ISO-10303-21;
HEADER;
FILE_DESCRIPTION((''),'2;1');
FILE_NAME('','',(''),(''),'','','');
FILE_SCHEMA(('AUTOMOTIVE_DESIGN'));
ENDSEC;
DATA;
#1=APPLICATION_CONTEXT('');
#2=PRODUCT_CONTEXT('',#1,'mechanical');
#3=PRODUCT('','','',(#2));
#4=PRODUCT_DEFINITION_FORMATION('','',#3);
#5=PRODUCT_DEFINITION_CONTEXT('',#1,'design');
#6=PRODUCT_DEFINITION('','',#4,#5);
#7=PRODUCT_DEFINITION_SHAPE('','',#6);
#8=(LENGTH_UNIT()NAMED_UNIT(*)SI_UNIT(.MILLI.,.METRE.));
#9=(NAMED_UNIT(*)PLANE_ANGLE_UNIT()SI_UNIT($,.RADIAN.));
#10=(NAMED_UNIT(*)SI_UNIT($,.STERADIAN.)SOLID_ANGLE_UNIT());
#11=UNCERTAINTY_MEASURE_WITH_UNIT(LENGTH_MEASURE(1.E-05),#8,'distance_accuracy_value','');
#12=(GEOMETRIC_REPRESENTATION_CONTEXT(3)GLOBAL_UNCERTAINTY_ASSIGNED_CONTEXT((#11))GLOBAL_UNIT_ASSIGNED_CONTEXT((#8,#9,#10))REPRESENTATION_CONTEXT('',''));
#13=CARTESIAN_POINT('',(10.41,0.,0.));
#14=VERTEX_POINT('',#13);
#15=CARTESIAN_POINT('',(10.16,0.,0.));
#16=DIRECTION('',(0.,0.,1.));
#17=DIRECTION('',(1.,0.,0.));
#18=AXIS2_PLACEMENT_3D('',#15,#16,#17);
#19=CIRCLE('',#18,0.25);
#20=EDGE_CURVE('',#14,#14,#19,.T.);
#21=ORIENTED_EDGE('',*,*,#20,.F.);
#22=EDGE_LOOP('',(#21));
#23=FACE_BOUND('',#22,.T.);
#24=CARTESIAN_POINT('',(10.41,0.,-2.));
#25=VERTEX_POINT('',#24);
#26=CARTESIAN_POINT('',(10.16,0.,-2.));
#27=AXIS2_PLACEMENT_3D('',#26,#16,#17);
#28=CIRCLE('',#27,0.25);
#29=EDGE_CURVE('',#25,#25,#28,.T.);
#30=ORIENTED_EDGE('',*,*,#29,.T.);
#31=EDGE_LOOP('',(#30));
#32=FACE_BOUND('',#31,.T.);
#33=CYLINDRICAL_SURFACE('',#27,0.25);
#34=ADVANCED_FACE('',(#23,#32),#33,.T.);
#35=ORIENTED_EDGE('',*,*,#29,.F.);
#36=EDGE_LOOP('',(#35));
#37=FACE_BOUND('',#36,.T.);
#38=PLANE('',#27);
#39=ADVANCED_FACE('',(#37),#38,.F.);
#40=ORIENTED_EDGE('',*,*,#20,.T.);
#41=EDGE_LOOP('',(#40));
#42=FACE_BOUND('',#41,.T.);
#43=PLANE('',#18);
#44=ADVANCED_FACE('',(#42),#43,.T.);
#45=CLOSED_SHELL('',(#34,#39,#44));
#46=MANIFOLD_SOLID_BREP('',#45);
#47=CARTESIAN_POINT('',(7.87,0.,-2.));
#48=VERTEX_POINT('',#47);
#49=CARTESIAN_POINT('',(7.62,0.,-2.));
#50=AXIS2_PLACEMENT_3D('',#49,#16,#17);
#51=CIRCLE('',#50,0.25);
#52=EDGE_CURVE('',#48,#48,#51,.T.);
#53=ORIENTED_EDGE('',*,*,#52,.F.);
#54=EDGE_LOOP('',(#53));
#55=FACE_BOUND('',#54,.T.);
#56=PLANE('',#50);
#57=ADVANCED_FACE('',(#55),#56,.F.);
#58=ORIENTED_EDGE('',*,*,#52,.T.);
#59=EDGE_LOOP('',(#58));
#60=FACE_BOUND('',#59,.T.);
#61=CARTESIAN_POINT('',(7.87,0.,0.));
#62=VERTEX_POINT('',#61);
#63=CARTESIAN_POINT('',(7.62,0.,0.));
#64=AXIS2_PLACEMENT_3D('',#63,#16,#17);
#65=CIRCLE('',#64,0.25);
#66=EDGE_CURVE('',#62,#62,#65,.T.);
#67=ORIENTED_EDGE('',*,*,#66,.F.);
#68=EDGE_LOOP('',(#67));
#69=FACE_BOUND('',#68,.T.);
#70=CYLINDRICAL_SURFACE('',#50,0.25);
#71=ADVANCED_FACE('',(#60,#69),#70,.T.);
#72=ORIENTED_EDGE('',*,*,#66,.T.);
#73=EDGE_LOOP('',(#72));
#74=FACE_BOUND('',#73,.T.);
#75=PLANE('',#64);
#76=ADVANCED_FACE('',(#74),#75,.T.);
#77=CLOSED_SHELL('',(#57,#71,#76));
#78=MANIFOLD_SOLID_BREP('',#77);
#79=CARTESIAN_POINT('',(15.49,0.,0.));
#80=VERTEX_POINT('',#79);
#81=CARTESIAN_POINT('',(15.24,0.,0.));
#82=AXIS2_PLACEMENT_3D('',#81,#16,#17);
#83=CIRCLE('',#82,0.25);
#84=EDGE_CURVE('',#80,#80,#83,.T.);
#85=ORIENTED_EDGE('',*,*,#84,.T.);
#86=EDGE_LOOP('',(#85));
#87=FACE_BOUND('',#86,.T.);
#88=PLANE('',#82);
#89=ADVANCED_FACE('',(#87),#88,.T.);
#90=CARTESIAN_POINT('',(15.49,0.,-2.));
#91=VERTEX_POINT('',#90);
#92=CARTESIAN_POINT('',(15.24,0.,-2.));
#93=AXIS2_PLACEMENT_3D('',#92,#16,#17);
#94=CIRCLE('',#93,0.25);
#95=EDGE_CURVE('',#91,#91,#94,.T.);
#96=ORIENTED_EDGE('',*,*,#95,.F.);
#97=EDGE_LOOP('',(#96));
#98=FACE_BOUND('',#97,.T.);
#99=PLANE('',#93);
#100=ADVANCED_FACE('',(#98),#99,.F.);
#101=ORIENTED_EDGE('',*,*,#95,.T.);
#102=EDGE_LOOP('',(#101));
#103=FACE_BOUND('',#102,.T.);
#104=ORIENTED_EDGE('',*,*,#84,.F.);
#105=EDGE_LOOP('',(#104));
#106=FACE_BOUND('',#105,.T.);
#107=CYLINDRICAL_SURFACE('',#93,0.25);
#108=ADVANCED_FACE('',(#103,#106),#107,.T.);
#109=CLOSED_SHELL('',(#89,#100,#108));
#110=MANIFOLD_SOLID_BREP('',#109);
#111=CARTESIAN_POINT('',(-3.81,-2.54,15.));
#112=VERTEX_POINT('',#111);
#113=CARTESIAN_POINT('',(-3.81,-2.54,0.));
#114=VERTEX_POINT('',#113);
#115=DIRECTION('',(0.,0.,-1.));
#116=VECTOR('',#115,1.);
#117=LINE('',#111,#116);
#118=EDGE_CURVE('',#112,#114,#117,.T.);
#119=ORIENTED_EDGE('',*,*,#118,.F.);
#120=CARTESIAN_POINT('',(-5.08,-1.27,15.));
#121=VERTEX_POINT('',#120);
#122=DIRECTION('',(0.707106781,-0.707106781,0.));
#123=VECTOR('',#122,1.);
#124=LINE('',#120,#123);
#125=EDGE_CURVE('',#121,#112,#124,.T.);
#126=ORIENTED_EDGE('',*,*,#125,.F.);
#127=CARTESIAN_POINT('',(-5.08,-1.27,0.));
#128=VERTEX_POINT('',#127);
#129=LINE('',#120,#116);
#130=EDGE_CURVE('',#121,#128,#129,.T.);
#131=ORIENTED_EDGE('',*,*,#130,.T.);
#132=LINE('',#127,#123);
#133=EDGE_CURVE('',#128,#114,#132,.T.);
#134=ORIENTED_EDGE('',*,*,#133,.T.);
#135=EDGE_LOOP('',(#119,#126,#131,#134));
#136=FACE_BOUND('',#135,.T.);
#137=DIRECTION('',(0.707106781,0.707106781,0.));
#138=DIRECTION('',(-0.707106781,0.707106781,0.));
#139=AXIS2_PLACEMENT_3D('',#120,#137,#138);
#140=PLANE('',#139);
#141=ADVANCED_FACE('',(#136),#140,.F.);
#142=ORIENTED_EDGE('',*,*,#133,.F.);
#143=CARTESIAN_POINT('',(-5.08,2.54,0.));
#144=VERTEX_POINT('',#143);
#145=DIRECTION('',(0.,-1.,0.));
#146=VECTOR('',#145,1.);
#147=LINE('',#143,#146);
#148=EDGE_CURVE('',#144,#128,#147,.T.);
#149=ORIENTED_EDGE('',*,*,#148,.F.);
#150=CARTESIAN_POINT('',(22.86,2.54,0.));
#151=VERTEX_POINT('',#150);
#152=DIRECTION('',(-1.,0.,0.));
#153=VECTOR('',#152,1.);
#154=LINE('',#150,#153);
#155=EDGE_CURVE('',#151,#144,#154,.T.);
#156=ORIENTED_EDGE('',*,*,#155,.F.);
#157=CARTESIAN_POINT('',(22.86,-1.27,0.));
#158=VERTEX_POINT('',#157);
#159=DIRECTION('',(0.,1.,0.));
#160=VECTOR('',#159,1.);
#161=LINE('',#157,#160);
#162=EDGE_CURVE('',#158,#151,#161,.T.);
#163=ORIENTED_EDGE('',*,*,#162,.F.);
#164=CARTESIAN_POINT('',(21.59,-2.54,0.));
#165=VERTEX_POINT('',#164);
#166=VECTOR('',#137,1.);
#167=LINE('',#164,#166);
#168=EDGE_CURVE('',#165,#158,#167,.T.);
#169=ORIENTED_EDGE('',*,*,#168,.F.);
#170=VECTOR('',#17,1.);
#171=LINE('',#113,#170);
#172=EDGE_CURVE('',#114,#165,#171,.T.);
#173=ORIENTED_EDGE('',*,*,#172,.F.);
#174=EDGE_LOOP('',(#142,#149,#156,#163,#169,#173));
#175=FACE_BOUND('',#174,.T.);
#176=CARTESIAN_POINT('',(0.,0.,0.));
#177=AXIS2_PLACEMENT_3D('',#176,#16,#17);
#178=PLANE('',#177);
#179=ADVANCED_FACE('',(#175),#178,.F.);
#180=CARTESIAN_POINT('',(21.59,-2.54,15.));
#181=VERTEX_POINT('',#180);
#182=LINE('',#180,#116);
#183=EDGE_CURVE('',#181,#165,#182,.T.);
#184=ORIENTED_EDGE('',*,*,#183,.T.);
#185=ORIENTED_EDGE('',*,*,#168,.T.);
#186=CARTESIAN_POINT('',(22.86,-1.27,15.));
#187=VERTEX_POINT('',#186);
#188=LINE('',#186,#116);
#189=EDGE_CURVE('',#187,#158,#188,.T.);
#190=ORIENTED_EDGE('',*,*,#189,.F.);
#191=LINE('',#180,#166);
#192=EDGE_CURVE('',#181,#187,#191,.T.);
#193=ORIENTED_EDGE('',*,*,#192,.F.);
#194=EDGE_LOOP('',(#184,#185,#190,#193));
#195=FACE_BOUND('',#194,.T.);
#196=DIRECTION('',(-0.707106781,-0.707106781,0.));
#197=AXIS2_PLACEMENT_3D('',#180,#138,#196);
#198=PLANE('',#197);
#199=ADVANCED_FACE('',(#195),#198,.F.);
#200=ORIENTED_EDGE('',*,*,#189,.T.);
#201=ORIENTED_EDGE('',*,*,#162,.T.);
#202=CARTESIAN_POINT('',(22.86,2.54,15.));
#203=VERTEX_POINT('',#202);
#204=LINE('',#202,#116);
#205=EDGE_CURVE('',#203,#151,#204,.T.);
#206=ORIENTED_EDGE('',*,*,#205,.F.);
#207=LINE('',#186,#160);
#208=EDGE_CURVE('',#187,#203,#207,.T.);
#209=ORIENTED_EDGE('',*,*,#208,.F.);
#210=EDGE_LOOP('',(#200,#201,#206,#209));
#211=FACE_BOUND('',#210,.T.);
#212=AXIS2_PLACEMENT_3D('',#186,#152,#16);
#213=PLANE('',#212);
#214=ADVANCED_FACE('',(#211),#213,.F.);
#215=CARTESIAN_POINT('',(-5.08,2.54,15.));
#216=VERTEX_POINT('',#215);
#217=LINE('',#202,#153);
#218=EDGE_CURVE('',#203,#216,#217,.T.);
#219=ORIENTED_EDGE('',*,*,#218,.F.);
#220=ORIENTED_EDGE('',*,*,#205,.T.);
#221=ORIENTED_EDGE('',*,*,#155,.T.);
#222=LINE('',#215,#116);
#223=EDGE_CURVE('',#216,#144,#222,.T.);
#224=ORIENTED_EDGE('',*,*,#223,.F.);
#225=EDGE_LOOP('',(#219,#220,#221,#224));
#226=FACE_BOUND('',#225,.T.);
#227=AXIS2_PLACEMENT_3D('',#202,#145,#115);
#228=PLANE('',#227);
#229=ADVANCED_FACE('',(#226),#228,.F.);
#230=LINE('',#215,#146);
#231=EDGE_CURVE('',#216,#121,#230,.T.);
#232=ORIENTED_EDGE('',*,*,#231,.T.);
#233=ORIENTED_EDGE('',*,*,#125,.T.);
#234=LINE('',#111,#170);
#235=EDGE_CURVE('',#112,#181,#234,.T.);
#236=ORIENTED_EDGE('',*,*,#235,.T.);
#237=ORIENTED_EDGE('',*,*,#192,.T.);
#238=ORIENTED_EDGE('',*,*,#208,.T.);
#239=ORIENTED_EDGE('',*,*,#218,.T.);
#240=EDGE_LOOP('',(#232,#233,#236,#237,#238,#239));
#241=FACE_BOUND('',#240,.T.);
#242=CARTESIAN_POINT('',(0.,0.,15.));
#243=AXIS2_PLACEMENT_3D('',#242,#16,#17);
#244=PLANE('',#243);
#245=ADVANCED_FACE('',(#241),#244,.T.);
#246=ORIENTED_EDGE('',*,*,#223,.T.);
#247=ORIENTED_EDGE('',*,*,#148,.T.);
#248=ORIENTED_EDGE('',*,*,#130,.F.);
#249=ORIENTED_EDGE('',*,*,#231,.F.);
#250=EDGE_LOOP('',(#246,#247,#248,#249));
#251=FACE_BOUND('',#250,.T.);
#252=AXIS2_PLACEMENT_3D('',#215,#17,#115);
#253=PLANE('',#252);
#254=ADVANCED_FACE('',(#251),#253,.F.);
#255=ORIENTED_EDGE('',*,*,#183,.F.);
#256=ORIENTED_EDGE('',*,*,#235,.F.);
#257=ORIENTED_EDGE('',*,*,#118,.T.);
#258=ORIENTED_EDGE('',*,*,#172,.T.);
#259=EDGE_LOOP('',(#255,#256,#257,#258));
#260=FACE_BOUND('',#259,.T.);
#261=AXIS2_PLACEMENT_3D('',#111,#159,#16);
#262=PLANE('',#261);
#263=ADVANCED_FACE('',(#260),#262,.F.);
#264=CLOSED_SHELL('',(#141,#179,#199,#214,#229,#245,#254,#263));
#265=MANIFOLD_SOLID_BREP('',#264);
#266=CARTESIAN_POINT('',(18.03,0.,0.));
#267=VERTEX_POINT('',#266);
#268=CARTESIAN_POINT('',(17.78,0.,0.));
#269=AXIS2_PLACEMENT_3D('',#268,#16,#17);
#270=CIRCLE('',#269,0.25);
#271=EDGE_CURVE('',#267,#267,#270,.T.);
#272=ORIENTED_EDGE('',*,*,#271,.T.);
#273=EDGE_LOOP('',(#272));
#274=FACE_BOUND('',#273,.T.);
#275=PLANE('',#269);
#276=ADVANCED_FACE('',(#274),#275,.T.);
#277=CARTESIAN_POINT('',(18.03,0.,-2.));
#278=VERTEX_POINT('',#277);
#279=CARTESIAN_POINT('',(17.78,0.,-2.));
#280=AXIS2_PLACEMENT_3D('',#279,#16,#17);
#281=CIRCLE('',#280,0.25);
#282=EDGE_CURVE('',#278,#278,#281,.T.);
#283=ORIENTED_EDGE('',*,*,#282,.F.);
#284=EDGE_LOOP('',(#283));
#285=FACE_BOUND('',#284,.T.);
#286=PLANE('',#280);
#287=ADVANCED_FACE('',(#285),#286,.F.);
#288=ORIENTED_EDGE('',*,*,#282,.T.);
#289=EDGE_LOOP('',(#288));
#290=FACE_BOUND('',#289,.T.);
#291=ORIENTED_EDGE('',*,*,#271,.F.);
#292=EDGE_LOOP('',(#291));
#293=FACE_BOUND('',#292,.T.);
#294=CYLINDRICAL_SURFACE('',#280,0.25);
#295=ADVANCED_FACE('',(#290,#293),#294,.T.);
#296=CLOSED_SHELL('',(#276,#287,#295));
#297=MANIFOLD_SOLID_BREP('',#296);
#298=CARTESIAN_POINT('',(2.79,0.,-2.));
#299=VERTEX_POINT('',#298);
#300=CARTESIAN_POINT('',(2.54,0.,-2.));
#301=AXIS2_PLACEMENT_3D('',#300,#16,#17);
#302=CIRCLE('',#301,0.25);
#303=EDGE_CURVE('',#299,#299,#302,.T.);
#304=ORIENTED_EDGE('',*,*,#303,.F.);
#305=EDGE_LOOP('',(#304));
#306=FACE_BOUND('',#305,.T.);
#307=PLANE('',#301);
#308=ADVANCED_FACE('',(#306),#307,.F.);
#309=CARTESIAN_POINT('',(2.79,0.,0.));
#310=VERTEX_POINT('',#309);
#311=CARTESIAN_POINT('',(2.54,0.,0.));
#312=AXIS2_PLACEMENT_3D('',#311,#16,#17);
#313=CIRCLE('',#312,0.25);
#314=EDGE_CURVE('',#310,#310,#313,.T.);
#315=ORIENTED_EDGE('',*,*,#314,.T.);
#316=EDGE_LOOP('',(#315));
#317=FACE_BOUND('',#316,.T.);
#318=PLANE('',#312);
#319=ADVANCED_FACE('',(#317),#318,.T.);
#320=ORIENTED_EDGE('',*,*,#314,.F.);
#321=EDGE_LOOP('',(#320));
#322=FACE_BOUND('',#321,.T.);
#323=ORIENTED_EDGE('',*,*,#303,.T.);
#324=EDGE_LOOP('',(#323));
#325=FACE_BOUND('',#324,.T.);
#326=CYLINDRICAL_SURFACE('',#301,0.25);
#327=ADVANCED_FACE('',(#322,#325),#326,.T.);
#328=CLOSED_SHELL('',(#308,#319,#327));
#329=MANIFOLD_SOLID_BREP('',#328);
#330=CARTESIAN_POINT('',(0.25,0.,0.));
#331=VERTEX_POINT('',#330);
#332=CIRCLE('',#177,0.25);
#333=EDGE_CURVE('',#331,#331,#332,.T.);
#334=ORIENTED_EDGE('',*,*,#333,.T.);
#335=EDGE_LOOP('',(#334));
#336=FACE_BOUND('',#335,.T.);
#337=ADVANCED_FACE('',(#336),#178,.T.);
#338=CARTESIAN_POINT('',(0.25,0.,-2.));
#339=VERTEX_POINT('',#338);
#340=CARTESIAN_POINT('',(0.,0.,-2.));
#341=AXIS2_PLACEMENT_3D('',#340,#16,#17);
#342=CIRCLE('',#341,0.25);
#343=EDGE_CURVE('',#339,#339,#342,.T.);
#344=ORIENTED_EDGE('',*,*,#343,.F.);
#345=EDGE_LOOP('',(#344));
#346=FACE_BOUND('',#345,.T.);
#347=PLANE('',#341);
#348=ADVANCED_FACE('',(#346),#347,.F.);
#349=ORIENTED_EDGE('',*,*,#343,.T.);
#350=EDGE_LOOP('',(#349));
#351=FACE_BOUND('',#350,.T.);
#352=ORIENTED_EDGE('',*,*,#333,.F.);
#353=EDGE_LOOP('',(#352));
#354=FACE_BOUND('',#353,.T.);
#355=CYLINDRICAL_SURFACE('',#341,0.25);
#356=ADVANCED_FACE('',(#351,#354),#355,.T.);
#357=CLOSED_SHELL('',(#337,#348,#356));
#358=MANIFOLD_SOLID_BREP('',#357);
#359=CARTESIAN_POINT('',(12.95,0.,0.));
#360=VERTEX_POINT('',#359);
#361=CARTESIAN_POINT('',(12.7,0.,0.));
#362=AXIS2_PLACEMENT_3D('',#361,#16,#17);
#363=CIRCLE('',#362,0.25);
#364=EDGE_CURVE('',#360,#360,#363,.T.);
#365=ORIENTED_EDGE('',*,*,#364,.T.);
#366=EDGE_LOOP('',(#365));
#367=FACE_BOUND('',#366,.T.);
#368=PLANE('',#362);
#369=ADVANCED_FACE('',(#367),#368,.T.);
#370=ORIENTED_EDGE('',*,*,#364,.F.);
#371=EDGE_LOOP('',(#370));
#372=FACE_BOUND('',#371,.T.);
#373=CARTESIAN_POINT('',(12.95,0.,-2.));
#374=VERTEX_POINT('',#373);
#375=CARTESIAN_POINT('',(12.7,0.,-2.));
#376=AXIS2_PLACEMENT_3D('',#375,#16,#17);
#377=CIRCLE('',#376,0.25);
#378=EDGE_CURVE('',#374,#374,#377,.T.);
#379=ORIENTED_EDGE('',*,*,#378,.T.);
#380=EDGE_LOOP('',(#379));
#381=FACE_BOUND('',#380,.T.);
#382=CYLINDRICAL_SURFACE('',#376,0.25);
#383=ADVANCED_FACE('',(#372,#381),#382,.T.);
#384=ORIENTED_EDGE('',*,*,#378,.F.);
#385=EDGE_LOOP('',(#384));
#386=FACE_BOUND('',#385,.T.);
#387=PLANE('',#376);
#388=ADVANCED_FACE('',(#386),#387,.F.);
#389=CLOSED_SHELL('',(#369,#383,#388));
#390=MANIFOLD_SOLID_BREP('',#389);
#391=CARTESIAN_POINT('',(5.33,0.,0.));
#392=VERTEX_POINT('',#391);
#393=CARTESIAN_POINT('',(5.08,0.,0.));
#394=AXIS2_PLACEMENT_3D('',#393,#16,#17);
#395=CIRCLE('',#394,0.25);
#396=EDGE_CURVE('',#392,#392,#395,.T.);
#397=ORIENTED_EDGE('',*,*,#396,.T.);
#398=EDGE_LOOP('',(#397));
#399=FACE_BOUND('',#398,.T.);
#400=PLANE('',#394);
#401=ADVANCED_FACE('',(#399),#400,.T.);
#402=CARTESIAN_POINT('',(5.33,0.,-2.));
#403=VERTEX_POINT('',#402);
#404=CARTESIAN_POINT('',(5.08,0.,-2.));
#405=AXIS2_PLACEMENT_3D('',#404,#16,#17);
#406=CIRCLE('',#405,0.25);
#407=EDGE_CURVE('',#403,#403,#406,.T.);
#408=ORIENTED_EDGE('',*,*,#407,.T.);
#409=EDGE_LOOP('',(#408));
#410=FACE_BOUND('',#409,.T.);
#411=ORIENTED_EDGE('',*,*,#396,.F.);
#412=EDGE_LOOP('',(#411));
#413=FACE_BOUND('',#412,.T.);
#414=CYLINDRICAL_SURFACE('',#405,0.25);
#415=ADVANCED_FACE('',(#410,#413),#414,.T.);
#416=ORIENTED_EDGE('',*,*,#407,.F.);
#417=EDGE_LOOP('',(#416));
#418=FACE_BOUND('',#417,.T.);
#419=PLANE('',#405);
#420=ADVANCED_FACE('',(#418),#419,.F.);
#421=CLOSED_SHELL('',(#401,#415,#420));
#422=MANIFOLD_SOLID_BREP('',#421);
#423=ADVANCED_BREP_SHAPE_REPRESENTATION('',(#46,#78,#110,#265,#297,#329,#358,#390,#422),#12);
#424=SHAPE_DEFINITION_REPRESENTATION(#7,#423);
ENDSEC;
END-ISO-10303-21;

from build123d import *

# Parameters (mm, degrees)
COMPONENT_OUTLINE_DEPTH = 15
SKETCH2_R               = 0.25
EXTRUDE_1_DEPTH         = 2
SKETCH3_R               = 0.25
EXTRUDE_2_DEPTH         = 2
SKETCH4_R               = 0.25
EXTRUDE_3_DEPTH         = 2
SKETCH5_R               = 0.25
EXTRUDE_4_DEPTH         = 2
SKETCH6_R               = 0.25
EXTRUDE_5_DEPTH         = 2
SKETCH7_R               = 0.25
EXTRUDE_6_DEPTH         = 2
SKETCH8_R               = 0.25
EXTRUDE_7_DEPTH         = 2
SKETCH9_R               = 0.25
EXTRUDE_8_DEPTH         = 2


with BuildPart() as part:
    # Sketch1 → Component_Outline (new body)
    with BuildSketch(Plane.XY):
        Polygon((-5.08, 2.54), (-5.08, -1.27), (-3.81, -2.54), (21.59, -2.54), (22.86, -1.27), (22.86, 2.54), align=None)
    extrude(amount=COMPONENT_OUTLINE_DEPTH)


with BuildPart() as body_2:
    # Sketch2 → Extrude 1 (new body)
    with BuildSketch(Plane.XY):
        Circle(SKETCH2_R)
    extrude(amount=-EXTRUDE_1_DEPTH)


with BuildPart() as body_3:
    # Sketch3 → Extrude 2 (new body)
    with BuildSketch(Plane.XY):
        with Locations((2.54, 0)):
            Circle(SKETCH3_R)
    extrude(amount=-EXTRUDE_2_DEPTH)


with BuildPart() as body_4:
    # Sketch4 → Extrude 3 (new body)
    with BuildSketch(Plane.XY):
        with Locations((5.08, 0)):
            Circle(SKETCH4_R)
    extrude(amount=-EXTRUDE_3_DEPTH)


with BuildPart() as body_5:
    # Sketch5 → Extrude 4 (new body)
    with BuildSketch(Plane.XY):
        with Locations((7.62, 0)):
            Circle(SKETCH5_R)
    extrude(amount=-EXTRUDE_4_DEPTH)


with BuildPart() as body_6:
    # Sketch6 → Extrude 5 (new body)
    with BuildSketch(Plane.XY):
        with Locations((10.16, 0)):
            Circle(SKETCH6_R)
    extrude(amount=-EXTRUDE_5_DEPTH)


with BuildPart() as body_7:
    # Sketch7 → Extrude 6 (new body)
    with BuildSketch(Plane.XY):
        with Locations((12.7, 0)):
            Circle(SKETCH7_R)
    extrude(amount=-EXTRUDE_6_DEPTH)


with BuildPart() as body_8:
    # Sketch8 → Extrude 7 (new body)
    with BuildSketch(Plane.XY):
        with Locations((15.24, 0)):
            Circle(SKETCH8_R)
    extrude(amount=-EXTRUDE_7_DEPTH)


with BuildPart() as body_9:
    # Sketch9 → Extrude 8 (new body)
    with BuildSketch(Plane.XY):
        with Locations((17.78, 0)):
            Circle(SKETCH9_R)
    extrude(amount=-EXTRUDE_8_DEPTH)


solid = Compound([part.part, body_2.part, body_3.part, body_4.part, body_5.part, body_6.part, body_7.part, body_8.part, body_9.part])
